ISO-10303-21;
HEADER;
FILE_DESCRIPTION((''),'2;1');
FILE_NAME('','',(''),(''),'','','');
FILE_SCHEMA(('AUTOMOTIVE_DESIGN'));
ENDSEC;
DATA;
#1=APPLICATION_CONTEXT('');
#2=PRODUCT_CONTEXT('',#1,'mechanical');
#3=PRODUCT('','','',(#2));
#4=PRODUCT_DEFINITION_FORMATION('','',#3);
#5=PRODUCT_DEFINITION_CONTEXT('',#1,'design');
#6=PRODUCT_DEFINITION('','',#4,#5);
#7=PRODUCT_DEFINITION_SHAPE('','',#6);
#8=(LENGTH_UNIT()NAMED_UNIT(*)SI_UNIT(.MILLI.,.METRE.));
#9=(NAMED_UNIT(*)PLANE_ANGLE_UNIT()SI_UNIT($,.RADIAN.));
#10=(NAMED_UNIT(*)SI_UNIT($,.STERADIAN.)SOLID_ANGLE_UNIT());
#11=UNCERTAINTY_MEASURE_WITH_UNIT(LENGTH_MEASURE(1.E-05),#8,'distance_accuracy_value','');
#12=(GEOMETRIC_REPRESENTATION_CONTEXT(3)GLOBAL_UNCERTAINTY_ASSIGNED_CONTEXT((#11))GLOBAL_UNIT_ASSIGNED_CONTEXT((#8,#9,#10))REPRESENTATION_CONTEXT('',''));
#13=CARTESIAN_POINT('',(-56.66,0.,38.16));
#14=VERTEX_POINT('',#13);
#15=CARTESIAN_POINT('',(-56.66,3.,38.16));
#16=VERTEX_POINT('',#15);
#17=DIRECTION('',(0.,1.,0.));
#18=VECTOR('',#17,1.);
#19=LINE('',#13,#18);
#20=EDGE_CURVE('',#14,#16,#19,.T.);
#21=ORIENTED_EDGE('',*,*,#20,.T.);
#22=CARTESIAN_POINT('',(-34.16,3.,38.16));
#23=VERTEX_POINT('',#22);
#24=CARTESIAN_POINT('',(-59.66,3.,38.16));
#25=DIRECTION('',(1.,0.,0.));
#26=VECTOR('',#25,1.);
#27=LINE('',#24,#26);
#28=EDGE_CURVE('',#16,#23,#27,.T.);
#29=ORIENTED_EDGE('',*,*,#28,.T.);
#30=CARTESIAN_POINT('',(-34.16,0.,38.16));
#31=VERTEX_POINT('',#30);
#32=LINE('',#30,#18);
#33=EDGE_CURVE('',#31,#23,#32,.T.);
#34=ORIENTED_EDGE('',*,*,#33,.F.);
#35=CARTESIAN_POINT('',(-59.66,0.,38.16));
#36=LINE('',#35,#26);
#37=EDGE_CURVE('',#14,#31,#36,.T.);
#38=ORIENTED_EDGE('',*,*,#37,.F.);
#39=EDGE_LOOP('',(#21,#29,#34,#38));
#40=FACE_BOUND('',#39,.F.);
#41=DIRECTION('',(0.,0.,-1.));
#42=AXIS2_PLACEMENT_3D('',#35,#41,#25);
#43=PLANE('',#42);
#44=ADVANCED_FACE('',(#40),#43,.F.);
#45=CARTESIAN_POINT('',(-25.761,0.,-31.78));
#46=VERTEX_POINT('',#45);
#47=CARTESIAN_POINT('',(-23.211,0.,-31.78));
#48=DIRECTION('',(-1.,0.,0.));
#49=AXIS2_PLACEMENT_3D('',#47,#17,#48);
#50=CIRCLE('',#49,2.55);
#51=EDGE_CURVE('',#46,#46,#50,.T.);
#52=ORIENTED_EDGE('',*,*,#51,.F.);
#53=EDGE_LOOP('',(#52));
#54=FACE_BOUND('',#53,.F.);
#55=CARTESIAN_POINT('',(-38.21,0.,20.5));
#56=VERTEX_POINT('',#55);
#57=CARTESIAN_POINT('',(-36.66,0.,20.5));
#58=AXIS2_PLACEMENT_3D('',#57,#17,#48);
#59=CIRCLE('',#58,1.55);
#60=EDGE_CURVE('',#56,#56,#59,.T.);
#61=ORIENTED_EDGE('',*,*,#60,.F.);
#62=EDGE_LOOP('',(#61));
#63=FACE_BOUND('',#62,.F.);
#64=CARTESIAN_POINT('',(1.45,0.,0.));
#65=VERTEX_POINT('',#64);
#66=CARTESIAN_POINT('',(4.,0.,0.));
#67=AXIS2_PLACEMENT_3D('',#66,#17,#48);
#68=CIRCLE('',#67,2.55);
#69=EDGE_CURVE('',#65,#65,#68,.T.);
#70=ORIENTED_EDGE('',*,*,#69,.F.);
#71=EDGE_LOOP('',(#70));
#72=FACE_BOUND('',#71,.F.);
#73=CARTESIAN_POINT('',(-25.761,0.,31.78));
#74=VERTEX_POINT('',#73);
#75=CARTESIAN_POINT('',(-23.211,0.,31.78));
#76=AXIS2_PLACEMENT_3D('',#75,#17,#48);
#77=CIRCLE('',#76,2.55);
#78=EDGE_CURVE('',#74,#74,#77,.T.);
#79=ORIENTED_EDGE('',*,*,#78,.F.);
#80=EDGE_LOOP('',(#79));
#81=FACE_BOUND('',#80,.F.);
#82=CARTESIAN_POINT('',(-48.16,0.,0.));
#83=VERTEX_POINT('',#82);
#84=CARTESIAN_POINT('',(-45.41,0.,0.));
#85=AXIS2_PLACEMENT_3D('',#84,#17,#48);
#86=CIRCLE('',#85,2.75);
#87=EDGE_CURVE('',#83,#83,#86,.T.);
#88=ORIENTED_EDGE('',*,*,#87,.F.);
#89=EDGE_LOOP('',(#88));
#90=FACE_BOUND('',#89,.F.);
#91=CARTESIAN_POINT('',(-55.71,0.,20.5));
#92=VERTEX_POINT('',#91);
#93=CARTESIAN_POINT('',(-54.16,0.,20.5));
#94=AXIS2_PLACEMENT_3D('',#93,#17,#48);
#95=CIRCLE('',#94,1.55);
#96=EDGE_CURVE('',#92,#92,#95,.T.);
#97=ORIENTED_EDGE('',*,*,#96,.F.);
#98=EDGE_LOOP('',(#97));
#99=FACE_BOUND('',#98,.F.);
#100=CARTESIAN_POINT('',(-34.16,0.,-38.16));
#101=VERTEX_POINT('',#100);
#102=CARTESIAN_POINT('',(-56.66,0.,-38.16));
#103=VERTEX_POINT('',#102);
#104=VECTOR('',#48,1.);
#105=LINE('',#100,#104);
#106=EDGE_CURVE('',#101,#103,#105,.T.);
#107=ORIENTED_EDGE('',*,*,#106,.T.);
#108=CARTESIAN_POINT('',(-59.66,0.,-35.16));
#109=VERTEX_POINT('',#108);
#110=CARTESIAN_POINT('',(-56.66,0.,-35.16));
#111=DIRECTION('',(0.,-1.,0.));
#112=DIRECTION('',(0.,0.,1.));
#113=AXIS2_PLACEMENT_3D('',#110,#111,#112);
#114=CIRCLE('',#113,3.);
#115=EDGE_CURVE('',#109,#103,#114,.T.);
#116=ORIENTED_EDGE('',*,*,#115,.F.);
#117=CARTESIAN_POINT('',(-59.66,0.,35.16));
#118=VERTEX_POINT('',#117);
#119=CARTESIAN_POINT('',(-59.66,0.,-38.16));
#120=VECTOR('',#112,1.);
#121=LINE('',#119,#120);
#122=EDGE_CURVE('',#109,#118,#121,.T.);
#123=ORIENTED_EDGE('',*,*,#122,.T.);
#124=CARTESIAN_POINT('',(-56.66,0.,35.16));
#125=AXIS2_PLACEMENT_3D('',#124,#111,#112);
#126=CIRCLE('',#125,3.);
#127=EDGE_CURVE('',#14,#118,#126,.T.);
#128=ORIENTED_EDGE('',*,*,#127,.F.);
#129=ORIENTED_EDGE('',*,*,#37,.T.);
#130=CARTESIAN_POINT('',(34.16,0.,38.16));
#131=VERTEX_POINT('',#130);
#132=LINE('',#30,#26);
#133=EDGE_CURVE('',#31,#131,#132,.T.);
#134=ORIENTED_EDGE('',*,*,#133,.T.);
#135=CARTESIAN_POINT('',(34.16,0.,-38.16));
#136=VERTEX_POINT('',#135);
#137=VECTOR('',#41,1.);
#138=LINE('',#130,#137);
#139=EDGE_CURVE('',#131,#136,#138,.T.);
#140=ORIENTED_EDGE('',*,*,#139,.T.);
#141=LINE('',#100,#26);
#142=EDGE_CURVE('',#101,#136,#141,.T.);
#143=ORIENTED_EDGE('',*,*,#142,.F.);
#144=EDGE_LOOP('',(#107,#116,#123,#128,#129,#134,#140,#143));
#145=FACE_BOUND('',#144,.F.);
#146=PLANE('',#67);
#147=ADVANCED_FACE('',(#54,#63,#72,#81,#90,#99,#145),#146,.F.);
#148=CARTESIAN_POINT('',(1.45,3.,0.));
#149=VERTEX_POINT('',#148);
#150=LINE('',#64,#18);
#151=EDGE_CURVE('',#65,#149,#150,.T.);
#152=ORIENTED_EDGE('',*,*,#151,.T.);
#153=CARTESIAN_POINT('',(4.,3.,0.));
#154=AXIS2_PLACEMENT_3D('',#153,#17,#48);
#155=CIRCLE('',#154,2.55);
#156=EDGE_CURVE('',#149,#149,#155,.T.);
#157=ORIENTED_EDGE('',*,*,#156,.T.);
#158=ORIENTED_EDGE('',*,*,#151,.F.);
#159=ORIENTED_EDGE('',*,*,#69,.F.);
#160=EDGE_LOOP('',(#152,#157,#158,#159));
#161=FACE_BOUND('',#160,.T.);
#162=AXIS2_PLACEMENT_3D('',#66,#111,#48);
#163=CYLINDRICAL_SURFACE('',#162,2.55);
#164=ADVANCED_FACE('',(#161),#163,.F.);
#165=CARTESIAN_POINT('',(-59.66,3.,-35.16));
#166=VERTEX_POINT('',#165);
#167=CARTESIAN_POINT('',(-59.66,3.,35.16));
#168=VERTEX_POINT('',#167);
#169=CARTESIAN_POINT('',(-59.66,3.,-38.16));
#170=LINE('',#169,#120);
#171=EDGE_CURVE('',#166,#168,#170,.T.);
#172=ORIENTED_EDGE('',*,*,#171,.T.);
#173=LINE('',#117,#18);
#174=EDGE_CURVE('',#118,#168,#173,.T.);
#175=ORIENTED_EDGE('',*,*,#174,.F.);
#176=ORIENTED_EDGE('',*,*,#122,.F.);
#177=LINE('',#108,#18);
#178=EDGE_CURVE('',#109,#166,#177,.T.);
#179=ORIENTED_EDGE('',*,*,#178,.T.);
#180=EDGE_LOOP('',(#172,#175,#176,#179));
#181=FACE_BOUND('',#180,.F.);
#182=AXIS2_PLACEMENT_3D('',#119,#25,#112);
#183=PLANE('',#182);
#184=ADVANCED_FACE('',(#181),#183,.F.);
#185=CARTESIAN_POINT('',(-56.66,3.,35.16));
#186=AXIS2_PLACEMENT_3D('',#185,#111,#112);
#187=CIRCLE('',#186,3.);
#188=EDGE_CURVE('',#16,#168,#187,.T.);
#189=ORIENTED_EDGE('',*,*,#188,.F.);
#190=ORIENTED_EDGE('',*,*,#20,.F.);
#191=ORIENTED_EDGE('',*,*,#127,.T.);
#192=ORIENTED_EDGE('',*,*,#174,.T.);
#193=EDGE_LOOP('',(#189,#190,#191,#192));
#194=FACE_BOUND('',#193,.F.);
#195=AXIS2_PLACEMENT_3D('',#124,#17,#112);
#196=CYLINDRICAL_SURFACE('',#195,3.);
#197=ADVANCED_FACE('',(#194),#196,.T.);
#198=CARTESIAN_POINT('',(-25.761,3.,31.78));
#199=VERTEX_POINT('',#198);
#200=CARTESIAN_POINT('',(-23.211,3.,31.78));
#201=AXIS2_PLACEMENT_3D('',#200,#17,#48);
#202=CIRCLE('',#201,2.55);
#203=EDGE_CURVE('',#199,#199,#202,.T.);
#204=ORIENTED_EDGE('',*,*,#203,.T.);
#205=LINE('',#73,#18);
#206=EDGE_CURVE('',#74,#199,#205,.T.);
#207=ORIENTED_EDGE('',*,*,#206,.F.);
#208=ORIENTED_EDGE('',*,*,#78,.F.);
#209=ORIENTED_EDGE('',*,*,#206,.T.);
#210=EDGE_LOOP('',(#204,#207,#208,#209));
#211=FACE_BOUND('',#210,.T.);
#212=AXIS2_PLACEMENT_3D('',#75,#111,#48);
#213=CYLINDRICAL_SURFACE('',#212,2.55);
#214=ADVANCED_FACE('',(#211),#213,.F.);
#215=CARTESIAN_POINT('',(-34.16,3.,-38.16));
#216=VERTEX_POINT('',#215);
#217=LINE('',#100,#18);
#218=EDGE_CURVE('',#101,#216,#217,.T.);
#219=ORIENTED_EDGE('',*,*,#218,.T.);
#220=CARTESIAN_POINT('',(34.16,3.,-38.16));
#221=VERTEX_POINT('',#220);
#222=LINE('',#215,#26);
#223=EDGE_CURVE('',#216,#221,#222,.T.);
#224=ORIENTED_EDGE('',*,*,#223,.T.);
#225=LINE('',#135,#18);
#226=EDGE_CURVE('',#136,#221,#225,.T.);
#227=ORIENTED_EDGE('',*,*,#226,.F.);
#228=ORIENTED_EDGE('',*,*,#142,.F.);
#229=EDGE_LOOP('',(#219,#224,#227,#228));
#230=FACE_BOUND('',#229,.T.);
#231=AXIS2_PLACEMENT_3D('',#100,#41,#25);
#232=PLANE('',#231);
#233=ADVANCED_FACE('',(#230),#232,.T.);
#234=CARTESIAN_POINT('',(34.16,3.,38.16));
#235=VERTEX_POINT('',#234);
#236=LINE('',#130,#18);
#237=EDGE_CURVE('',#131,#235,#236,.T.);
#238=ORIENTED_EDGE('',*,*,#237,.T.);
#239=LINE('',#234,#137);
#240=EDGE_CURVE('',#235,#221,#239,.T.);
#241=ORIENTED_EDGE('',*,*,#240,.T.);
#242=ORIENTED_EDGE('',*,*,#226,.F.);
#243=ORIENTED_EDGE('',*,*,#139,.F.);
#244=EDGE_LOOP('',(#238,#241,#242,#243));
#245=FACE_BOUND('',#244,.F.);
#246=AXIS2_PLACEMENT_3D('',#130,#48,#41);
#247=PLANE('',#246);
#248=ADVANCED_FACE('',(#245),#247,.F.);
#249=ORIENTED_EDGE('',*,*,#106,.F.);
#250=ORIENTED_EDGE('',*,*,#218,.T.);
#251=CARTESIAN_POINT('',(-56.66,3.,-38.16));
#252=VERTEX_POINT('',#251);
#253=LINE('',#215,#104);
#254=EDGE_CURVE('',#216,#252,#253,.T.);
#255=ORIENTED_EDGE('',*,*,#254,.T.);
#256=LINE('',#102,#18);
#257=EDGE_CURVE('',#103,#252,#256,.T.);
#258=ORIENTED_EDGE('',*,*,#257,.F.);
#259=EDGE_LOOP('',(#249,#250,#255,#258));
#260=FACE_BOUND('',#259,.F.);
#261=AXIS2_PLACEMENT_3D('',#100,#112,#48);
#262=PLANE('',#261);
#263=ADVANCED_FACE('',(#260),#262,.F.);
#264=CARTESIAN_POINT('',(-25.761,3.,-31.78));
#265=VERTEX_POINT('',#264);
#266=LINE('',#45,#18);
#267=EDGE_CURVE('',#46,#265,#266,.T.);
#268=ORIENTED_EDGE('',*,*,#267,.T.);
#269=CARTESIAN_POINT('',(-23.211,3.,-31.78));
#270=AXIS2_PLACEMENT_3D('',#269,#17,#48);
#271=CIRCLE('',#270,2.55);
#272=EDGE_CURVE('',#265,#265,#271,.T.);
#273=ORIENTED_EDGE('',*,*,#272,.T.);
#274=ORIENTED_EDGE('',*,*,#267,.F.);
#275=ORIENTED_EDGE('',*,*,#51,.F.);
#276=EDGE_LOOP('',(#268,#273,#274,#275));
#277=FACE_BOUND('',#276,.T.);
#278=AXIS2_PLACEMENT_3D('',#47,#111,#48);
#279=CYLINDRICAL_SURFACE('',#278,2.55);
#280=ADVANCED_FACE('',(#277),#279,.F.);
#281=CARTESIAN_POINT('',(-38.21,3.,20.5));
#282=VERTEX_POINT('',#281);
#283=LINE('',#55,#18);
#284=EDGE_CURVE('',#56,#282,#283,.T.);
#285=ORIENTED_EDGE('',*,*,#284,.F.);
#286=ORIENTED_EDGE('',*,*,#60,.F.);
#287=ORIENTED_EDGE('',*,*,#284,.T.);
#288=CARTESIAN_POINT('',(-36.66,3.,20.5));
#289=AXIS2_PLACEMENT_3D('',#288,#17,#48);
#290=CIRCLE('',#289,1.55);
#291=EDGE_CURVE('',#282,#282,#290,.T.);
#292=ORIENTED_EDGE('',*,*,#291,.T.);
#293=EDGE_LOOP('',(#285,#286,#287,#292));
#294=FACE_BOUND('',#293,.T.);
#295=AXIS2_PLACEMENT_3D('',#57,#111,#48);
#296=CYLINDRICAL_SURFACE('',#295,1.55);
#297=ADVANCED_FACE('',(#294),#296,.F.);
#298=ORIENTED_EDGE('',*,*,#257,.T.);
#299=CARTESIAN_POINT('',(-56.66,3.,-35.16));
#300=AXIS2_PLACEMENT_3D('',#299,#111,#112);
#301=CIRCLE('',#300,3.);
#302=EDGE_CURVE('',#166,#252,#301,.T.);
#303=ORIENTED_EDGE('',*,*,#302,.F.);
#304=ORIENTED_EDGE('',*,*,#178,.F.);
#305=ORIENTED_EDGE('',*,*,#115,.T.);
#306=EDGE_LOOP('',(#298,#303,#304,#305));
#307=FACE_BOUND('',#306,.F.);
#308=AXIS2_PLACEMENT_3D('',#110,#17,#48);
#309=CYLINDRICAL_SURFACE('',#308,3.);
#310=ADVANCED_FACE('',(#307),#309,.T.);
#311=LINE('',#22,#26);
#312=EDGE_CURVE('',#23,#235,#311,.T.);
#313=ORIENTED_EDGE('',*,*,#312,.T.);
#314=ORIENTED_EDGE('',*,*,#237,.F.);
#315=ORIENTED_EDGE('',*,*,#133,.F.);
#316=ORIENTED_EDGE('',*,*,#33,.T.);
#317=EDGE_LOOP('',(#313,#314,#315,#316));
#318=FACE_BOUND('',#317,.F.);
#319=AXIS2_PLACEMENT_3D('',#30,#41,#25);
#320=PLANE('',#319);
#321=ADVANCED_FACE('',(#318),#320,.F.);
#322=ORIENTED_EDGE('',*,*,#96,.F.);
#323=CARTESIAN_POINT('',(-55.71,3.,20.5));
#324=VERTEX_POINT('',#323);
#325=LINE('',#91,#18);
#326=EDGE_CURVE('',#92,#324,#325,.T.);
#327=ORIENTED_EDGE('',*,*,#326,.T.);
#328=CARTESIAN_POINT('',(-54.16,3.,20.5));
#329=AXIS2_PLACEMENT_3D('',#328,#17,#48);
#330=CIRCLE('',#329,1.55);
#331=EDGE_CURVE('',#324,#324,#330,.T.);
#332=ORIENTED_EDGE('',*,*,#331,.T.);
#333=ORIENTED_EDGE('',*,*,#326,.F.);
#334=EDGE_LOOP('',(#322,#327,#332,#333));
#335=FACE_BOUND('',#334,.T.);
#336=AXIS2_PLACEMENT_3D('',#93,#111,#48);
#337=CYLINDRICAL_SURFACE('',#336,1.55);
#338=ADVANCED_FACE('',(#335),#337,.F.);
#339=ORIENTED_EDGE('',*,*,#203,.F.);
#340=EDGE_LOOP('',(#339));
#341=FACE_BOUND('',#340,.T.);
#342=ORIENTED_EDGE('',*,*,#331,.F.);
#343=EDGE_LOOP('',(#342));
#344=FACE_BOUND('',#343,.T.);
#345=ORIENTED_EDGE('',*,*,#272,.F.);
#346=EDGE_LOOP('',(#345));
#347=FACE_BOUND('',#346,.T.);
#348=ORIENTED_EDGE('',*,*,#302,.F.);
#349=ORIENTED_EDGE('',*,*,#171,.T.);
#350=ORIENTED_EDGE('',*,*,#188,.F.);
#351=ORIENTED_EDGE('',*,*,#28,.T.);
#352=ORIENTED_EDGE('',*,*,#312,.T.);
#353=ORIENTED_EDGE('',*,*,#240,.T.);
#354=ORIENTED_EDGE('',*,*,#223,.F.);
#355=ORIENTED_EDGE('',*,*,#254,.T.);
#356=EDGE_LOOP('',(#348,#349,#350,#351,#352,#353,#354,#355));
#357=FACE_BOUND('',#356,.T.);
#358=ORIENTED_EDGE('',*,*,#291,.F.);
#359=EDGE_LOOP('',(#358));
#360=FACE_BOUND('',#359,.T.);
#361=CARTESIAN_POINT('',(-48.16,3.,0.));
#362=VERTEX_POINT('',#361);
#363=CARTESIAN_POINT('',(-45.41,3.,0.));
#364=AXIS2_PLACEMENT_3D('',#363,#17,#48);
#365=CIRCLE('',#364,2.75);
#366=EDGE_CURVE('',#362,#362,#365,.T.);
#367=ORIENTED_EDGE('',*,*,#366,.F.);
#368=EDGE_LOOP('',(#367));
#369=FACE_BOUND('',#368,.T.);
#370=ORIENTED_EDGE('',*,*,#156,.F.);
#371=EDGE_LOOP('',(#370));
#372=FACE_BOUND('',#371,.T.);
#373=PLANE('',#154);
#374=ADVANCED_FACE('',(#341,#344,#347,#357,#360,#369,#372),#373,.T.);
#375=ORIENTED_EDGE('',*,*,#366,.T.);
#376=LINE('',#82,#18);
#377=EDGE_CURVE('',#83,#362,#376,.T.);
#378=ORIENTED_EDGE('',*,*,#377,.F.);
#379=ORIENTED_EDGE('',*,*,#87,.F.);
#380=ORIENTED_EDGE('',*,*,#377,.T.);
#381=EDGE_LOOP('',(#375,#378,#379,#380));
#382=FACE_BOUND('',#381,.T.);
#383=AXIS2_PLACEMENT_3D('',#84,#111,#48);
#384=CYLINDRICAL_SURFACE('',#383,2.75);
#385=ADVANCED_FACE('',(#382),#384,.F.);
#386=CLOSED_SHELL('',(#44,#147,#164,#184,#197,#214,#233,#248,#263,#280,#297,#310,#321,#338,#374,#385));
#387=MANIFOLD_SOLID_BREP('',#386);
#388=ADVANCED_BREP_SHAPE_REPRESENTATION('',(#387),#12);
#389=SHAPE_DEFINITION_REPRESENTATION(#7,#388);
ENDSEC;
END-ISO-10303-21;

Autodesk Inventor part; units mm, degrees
ref_plane "YZ Plane" through (0, 0, 0) normal (1, 0, 0) x (0, 1, 0)
ref_plane "XZ Plane" through (0, 0, 0) normal (0, 1, 0) x (-1, 0, 0)
ref_plane "XY Plane" through (0, 0, 0) normal (0, 0, 1) x (1, 0, 0)
sketch "Sketch1" plane through (4, 0, 0) normal (0, 1, 0) x (-1, 0, 0)
  circle A0 centre (0, 0) radius 30.16 construction
  line L0 (0, 0) -> (38.16, 0) construction
  line L1 (38.16, 38.16) -> (38.16, -38.16) construction
  line L2 (38.16, 38.16) -> (-30.16, 38.16)
  line L3 (38.16, -38.16) -> (-30.16, -38.16)
  circle A1 centre (27.211, 31.78) radius 2.55
  circle A2 centre (27.211, -31.78) radius 2.55
  circle A3 centre (0, 0) radius 2.55
  line L4 (-30.16, 38.16) -> (-30.16, -38.16)
  line L5 (38.16, 0) -> (49.41, 0) construction
  circle A4 centre (49.41, 0) radius 2.75
  line L6 (40.66, 20.5) -> (58.16, 20.5) construction
  circle A5 centre (58.16, 20.5) radius 1.55
  circle A6 centre (40.66, 20.5) radius 1.55
  line L7 (49.41, 0) -> (63.66, 0) construction
  line L8 (38.16, -38.16) -> (63.66, -38.16)
  line L9 (63.66, -38.16) -> (63.66, 38.16)
  line L10 (63.66, 38.16) -> (38.16, 38.16)
  dimension "d6" = 60.32
  dimension "d4" = 38.16
  dimension "d5" = 76.32
  dimension "d1" = 5.1
  dimension "d3" = 6.38
  dimension "d2" = 10.949
  dimension "d0" = 5.1
  dimension "d10" = 11.25
  dimension "d11" = 5.5
  dimension "d12" = 17.66
  dimension "d13" = 2.5
  dimension "d14" = 17.5
  dimension "d15" = 3.1
  dimension "d16" = 3.1
  dimension "d17" = 14.25
extrude "Extrusion1" add sketch "Sketch1" along normal blind 3
fillet "Fillet1" radius 3 2 edges at (-59.66, 1.5, 38.16) (-59.66, 1.5, -38.16)
properties part number "Tapa B1" material "Polycarbonate, Clear"
